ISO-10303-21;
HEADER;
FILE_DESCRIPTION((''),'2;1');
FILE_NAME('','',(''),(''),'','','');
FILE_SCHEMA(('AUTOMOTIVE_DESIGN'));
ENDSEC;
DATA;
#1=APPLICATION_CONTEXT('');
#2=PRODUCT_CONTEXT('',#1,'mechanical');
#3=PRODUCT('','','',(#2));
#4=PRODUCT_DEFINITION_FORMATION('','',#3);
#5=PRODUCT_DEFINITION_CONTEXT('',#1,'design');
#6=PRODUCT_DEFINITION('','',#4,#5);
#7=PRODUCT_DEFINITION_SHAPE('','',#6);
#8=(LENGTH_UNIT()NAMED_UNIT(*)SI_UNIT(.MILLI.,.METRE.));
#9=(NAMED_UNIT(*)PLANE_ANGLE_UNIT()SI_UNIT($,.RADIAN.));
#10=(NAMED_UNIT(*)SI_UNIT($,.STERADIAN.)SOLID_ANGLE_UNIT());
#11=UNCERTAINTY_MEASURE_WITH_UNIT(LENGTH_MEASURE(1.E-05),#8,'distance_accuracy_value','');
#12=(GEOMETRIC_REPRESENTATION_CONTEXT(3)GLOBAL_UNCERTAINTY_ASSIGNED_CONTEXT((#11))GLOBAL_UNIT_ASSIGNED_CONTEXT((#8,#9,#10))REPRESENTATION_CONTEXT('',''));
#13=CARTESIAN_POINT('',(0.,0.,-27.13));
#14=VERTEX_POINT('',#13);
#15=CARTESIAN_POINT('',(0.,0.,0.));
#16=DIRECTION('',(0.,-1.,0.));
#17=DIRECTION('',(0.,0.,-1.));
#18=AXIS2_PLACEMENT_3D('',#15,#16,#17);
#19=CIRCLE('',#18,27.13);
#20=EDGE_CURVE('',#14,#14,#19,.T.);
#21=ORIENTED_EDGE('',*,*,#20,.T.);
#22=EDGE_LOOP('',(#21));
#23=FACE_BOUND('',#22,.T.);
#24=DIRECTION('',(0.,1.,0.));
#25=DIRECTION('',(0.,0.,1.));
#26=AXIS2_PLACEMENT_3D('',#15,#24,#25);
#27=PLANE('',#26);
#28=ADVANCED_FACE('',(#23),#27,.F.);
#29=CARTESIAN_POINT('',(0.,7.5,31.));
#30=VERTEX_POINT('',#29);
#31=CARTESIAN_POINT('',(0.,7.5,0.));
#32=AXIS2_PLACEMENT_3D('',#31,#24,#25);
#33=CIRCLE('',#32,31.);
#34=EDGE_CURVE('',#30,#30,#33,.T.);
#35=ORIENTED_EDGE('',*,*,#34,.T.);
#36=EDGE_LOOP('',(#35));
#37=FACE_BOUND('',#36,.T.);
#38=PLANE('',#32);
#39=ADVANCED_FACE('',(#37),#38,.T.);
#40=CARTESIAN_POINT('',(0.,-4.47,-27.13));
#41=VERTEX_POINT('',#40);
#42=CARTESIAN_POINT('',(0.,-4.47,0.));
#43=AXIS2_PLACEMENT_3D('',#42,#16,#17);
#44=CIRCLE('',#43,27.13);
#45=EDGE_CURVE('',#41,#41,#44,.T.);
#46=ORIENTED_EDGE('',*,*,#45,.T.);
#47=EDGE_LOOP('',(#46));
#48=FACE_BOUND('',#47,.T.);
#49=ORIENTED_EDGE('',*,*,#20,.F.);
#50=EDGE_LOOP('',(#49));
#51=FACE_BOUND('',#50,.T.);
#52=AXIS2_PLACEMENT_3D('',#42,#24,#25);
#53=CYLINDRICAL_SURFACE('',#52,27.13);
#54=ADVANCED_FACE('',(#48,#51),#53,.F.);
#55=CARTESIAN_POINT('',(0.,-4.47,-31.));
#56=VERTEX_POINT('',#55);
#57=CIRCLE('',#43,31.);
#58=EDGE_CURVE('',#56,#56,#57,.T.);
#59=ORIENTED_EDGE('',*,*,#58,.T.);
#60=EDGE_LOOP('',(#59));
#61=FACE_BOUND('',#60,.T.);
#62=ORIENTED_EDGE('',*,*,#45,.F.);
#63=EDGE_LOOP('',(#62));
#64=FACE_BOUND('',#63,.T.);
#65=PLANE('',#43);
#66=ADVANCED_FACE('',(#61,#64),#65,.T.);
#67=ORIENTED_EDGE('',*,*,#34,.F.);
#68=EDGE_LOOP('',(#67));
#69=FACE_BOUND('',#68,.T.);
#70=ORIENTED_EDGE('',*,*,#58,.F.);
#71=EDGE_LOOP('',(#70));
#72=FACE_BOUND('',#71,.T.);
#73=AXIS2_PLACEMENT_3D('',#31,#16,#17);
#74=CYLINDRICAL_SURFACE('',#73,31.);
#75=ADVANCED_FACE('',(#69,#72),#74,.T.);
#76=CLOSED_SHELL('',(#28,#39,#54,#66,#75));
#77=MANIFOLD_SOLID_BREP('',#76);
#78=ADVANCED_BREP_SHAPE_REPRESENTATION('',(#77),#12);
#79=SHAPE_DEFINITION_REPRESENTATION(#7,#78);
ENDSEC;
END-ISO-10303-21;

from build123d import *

# Parameters (mm, degrees)
SKETCH1_R           = 31
BOSS_EXTRUDE1_DEPTH = 7.5
BOSS_EXTRUDE2_START = 4.47
SKETCH3_R           = 31
SKETCH3_R_2         = 27.13
BOSS_EXTRUDE2_DEPTH = 4.47


with BuildPart() as part:
    # Sketch1 → Boss-Extrude1 (new body)
    with BuildSketch(Plane(origin=(0, 0, 0), x_dir=(1, 0, 0), z_dir=(0, 1, 0))):
        with Locations(Location((0, 0, 0), (0, 0, 270))):
            Circle(SKETCH1_R)
    extrude(amount=BOSS_EXTRUDE1_DEPTH)

    # Sketch3 → Boss-Extrude2 (add)
    with BuildSketch(Plane.XZ.offset(BOSS_EXTRUDE2_START)):
        with Locations(Location((0, 0, 0), (0, 0, 270))):
            Circle(SKETCH3_R)
        with Locations(Location((0, 0, 0), (0, 0, 270))):
            Circle(SKETCH3_R_2, mode=Mode.SUBTRACT)
    extrude(amount=-BOSS_EXTRUDE2_DEPTH)


solid = part.part
